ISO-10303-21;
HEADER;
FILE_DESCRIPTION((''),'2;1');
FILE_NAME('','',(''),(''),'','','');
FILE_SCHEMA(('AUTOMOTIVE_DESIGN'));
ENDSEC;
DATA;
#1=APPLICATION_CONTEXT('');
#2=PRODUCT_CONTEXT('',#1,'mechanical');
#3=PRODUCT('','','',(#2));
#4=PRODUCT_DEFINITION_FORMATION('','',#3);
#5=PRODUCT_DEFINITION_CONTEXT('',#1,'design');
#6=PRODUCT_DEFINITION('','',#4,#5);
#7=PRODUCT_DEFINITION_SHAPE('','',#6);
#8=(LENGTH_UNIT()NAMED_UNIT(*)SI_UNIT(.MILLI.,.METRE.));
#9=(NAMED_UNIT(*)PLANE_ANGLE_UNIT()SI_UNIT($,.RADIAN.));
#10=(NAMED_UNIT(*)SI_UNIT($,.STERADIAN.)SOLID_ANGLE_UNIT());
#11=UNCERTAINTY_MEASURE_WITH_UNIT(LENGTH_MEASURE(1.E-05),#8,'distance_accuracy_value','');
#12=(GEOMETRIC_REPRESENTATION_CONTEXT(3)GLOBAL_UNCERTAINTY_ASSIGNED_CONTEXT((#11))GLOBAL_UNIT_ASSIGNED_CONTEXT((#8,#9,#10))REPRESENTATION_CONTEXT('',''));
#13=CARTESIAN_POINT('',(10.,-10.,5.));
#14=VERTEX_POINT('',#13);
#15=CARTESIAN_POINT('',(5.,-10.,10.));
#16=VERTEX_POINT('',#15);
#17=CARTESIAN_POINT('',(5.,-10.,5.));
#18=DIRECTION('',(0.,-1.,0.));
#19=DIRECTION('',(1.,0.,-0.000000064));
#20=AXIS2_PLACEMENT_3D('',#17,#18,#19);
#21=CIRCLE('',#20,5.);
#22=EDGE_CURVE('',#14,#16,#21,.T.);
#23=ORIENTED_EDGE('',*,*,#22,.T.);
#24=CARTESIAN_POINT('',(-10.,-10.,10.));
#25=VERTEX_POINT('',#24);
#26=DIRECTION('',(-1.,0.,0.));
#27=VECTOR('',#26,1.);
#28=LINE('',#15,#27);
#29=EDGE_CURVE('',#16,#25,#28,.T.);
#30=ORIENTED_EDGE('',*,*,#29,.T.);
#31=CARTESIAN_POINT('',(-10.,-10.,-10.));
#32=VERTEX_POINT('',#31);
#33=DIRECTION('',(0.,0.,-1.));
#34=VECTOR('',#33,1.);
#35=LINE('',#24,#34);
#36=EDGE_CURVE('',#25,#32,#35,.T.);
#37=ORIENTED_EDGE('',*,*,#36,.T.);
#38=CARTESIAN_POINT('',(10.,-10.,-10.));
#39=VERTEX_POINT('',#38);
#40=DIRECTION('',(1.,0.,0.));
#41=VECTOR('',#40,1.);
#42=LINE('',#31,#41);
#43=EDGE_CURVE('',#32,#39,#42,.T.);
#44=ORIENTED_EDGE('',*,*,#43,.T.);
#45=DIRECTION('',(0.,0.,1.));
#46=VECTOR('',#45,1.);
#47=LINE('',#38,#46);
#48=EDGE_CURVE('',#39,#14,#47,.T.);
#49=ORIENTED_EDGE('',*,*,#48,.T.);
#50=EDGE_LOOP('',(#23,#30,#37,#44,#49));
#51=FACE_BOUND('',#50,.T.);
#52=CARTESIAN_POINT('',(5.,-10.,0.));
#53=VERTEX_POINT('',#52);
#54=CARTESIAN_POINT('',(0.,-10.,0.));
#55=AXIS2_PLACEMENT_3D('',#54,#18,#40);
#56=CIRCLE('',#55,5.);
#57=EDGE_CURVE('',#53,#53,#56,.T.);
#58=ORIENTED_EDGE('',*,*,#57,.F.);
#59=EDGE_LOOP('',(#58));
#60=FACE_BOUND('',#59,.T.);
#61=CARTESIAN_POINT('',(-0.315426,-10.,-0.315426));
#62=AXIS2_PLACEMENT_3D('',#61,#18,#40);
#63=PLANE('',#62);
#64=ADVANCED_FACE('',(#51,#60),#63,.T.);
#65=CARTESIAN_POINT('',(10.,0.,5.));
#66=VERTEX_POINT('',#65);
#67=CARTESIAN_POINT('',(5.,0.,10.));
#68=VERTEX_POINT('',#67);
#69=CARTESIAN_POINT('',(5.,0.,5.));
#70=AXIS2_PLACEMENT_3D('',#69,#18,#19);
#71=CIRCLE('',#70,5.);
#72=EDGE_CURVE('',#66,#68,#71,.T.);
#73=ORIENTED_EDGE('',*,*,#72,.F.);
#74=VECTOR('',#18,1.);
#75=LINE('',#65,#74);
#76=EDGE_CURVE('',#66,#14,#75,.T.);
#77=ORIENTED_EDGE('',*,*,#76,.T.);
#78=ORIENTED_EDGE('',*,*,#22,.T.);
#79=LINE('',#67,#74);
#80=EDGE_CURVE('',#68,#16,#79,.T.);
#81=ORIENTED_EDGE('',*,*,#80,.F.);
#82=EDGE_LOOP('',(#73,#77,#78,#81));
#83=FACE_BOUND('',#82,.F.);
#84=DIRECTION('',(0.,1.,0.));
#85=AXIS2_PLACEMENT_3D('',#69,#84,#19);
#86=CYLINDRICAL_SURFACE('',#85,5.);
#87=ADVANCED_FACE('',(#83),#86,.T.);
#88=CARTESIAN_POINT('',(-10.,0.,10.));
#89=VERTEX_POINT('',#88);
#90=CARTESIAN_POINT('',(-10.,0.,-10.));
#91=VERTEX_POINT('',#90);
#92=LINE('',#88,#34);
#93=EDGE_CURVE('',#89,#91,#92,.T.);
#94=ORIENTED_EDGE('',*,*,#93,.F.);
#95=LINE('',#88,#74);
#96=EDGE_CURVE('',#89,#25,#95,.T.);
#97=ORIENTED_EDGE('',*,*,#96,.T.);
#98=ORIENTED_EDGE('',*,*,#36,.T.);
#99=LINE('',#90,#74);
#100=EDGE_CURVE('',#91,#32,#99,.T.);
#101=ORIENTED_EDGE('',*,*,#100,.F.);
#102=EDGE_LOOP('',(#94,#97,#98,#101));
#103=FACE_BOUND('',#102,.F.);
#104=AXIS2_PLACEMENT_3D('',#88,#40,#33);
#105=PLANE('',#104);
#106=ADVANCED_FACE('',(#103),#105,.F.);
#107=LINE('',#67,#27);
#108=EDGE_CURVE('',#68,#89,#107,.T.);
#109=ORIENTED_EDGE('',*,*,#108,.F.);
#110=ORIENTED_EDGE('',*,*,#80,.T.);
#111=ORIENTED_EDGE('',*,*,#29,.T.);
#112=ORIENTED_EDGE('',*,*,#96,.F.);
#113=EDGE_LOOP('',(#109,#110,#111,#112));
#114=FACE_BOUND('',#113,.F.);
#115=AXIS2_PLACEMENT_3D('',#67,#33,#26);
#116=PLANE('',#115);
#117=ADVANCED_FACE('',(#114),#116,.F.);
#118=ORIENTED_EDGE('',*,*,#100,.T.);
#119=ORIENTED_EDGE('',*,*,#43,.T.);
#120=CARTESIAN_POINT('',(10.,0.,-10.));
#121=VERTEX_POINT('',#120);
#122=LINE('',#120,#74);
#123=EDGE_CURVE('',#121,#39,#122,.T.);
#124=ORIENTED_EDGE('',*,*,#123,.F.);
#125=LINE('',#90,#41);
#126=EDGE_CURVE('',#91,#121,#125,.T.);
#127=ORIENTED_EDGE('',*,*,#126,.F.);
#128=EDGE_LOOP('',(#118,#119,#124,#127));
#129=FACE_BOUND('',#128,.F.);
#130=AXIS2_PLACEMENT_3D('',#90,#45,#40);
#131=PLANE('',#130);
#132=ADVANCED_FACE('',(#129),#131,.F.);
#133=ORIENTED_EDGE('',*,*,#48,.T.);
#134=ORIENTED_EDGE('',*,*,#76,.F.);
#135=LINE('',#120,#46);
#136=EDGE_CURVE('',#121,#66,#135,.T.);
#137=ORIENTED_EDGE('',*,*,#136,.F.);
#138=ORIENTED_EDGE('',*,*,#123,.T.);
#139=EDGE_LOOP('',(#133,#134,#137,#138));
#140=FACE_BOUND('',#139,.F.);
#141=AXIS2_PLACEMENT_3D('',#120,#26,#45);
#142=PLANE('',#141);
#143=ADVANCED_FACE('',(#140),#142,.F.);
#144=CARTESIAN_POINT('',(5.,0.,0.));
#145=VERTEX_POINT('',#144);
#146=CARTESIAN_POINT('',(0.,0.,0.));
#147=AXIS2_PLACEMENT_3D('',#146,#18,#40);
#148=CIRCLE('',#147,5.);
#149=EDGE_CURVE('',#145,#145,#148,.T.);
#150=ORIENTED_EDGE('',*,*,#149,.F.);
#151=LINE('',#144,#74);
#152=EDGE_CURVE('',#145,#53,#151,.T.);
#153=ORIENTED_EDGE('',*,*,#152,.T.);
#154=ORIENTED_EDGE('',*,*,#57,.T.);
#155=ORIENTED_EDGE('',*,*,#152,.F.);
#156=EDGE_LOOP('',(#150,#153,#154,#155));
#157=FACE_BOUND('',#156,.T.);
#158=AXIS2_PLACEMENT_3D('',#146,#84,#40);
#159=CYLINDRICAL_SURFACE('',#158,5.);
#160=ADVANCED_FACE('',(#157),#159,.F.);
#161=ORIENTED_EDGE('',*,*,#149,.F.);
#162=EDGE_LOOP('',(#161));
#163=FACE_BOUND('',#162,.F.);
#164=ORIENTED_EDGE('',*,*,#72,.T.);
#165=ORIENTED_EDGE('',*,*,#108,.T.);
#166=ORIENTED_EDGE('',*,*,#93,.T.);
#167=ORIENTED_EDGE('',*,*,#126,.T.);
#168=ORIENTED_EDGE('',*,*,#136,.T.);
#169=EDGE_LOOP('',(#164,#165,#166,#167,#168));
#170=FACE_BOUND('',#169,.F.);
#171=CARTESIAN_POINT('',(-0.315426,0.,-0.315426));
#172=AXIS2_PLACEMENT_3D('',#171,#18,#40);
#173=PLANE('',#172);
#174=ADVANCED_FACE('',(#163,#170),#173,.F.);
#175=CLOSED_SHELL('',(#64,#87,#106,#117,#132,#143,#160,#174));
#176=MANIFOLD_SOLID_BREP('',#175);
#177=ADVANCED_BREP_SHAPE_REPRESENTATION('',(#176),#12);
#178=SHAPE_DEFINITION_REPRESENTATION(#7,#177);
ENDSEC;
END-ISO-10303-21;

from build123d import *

# Parameters (mm, degrees)
F0_R     = 5
F1_DEPTH = 10


with BuildPart() as f1:
    # F0 (on Front) → F1 (new body)
    with BuildSketch(Plane.XZ):
        with BuildLine():
            ThreePointArc((10, 5), (8.535534, 8.535534), (5, 10))
            Line((5, 10), (-10, 10))
            Line((-10, 10), (-10, -10))
            Line((-10, -10), (10, -10))
            Line((10, -10), (10, 5))
        make_face()
        Circle(F0_R, mode=Mode.SUBTRACT)
    extrude(amount=F1_DEPTH)


solid = f1.part
